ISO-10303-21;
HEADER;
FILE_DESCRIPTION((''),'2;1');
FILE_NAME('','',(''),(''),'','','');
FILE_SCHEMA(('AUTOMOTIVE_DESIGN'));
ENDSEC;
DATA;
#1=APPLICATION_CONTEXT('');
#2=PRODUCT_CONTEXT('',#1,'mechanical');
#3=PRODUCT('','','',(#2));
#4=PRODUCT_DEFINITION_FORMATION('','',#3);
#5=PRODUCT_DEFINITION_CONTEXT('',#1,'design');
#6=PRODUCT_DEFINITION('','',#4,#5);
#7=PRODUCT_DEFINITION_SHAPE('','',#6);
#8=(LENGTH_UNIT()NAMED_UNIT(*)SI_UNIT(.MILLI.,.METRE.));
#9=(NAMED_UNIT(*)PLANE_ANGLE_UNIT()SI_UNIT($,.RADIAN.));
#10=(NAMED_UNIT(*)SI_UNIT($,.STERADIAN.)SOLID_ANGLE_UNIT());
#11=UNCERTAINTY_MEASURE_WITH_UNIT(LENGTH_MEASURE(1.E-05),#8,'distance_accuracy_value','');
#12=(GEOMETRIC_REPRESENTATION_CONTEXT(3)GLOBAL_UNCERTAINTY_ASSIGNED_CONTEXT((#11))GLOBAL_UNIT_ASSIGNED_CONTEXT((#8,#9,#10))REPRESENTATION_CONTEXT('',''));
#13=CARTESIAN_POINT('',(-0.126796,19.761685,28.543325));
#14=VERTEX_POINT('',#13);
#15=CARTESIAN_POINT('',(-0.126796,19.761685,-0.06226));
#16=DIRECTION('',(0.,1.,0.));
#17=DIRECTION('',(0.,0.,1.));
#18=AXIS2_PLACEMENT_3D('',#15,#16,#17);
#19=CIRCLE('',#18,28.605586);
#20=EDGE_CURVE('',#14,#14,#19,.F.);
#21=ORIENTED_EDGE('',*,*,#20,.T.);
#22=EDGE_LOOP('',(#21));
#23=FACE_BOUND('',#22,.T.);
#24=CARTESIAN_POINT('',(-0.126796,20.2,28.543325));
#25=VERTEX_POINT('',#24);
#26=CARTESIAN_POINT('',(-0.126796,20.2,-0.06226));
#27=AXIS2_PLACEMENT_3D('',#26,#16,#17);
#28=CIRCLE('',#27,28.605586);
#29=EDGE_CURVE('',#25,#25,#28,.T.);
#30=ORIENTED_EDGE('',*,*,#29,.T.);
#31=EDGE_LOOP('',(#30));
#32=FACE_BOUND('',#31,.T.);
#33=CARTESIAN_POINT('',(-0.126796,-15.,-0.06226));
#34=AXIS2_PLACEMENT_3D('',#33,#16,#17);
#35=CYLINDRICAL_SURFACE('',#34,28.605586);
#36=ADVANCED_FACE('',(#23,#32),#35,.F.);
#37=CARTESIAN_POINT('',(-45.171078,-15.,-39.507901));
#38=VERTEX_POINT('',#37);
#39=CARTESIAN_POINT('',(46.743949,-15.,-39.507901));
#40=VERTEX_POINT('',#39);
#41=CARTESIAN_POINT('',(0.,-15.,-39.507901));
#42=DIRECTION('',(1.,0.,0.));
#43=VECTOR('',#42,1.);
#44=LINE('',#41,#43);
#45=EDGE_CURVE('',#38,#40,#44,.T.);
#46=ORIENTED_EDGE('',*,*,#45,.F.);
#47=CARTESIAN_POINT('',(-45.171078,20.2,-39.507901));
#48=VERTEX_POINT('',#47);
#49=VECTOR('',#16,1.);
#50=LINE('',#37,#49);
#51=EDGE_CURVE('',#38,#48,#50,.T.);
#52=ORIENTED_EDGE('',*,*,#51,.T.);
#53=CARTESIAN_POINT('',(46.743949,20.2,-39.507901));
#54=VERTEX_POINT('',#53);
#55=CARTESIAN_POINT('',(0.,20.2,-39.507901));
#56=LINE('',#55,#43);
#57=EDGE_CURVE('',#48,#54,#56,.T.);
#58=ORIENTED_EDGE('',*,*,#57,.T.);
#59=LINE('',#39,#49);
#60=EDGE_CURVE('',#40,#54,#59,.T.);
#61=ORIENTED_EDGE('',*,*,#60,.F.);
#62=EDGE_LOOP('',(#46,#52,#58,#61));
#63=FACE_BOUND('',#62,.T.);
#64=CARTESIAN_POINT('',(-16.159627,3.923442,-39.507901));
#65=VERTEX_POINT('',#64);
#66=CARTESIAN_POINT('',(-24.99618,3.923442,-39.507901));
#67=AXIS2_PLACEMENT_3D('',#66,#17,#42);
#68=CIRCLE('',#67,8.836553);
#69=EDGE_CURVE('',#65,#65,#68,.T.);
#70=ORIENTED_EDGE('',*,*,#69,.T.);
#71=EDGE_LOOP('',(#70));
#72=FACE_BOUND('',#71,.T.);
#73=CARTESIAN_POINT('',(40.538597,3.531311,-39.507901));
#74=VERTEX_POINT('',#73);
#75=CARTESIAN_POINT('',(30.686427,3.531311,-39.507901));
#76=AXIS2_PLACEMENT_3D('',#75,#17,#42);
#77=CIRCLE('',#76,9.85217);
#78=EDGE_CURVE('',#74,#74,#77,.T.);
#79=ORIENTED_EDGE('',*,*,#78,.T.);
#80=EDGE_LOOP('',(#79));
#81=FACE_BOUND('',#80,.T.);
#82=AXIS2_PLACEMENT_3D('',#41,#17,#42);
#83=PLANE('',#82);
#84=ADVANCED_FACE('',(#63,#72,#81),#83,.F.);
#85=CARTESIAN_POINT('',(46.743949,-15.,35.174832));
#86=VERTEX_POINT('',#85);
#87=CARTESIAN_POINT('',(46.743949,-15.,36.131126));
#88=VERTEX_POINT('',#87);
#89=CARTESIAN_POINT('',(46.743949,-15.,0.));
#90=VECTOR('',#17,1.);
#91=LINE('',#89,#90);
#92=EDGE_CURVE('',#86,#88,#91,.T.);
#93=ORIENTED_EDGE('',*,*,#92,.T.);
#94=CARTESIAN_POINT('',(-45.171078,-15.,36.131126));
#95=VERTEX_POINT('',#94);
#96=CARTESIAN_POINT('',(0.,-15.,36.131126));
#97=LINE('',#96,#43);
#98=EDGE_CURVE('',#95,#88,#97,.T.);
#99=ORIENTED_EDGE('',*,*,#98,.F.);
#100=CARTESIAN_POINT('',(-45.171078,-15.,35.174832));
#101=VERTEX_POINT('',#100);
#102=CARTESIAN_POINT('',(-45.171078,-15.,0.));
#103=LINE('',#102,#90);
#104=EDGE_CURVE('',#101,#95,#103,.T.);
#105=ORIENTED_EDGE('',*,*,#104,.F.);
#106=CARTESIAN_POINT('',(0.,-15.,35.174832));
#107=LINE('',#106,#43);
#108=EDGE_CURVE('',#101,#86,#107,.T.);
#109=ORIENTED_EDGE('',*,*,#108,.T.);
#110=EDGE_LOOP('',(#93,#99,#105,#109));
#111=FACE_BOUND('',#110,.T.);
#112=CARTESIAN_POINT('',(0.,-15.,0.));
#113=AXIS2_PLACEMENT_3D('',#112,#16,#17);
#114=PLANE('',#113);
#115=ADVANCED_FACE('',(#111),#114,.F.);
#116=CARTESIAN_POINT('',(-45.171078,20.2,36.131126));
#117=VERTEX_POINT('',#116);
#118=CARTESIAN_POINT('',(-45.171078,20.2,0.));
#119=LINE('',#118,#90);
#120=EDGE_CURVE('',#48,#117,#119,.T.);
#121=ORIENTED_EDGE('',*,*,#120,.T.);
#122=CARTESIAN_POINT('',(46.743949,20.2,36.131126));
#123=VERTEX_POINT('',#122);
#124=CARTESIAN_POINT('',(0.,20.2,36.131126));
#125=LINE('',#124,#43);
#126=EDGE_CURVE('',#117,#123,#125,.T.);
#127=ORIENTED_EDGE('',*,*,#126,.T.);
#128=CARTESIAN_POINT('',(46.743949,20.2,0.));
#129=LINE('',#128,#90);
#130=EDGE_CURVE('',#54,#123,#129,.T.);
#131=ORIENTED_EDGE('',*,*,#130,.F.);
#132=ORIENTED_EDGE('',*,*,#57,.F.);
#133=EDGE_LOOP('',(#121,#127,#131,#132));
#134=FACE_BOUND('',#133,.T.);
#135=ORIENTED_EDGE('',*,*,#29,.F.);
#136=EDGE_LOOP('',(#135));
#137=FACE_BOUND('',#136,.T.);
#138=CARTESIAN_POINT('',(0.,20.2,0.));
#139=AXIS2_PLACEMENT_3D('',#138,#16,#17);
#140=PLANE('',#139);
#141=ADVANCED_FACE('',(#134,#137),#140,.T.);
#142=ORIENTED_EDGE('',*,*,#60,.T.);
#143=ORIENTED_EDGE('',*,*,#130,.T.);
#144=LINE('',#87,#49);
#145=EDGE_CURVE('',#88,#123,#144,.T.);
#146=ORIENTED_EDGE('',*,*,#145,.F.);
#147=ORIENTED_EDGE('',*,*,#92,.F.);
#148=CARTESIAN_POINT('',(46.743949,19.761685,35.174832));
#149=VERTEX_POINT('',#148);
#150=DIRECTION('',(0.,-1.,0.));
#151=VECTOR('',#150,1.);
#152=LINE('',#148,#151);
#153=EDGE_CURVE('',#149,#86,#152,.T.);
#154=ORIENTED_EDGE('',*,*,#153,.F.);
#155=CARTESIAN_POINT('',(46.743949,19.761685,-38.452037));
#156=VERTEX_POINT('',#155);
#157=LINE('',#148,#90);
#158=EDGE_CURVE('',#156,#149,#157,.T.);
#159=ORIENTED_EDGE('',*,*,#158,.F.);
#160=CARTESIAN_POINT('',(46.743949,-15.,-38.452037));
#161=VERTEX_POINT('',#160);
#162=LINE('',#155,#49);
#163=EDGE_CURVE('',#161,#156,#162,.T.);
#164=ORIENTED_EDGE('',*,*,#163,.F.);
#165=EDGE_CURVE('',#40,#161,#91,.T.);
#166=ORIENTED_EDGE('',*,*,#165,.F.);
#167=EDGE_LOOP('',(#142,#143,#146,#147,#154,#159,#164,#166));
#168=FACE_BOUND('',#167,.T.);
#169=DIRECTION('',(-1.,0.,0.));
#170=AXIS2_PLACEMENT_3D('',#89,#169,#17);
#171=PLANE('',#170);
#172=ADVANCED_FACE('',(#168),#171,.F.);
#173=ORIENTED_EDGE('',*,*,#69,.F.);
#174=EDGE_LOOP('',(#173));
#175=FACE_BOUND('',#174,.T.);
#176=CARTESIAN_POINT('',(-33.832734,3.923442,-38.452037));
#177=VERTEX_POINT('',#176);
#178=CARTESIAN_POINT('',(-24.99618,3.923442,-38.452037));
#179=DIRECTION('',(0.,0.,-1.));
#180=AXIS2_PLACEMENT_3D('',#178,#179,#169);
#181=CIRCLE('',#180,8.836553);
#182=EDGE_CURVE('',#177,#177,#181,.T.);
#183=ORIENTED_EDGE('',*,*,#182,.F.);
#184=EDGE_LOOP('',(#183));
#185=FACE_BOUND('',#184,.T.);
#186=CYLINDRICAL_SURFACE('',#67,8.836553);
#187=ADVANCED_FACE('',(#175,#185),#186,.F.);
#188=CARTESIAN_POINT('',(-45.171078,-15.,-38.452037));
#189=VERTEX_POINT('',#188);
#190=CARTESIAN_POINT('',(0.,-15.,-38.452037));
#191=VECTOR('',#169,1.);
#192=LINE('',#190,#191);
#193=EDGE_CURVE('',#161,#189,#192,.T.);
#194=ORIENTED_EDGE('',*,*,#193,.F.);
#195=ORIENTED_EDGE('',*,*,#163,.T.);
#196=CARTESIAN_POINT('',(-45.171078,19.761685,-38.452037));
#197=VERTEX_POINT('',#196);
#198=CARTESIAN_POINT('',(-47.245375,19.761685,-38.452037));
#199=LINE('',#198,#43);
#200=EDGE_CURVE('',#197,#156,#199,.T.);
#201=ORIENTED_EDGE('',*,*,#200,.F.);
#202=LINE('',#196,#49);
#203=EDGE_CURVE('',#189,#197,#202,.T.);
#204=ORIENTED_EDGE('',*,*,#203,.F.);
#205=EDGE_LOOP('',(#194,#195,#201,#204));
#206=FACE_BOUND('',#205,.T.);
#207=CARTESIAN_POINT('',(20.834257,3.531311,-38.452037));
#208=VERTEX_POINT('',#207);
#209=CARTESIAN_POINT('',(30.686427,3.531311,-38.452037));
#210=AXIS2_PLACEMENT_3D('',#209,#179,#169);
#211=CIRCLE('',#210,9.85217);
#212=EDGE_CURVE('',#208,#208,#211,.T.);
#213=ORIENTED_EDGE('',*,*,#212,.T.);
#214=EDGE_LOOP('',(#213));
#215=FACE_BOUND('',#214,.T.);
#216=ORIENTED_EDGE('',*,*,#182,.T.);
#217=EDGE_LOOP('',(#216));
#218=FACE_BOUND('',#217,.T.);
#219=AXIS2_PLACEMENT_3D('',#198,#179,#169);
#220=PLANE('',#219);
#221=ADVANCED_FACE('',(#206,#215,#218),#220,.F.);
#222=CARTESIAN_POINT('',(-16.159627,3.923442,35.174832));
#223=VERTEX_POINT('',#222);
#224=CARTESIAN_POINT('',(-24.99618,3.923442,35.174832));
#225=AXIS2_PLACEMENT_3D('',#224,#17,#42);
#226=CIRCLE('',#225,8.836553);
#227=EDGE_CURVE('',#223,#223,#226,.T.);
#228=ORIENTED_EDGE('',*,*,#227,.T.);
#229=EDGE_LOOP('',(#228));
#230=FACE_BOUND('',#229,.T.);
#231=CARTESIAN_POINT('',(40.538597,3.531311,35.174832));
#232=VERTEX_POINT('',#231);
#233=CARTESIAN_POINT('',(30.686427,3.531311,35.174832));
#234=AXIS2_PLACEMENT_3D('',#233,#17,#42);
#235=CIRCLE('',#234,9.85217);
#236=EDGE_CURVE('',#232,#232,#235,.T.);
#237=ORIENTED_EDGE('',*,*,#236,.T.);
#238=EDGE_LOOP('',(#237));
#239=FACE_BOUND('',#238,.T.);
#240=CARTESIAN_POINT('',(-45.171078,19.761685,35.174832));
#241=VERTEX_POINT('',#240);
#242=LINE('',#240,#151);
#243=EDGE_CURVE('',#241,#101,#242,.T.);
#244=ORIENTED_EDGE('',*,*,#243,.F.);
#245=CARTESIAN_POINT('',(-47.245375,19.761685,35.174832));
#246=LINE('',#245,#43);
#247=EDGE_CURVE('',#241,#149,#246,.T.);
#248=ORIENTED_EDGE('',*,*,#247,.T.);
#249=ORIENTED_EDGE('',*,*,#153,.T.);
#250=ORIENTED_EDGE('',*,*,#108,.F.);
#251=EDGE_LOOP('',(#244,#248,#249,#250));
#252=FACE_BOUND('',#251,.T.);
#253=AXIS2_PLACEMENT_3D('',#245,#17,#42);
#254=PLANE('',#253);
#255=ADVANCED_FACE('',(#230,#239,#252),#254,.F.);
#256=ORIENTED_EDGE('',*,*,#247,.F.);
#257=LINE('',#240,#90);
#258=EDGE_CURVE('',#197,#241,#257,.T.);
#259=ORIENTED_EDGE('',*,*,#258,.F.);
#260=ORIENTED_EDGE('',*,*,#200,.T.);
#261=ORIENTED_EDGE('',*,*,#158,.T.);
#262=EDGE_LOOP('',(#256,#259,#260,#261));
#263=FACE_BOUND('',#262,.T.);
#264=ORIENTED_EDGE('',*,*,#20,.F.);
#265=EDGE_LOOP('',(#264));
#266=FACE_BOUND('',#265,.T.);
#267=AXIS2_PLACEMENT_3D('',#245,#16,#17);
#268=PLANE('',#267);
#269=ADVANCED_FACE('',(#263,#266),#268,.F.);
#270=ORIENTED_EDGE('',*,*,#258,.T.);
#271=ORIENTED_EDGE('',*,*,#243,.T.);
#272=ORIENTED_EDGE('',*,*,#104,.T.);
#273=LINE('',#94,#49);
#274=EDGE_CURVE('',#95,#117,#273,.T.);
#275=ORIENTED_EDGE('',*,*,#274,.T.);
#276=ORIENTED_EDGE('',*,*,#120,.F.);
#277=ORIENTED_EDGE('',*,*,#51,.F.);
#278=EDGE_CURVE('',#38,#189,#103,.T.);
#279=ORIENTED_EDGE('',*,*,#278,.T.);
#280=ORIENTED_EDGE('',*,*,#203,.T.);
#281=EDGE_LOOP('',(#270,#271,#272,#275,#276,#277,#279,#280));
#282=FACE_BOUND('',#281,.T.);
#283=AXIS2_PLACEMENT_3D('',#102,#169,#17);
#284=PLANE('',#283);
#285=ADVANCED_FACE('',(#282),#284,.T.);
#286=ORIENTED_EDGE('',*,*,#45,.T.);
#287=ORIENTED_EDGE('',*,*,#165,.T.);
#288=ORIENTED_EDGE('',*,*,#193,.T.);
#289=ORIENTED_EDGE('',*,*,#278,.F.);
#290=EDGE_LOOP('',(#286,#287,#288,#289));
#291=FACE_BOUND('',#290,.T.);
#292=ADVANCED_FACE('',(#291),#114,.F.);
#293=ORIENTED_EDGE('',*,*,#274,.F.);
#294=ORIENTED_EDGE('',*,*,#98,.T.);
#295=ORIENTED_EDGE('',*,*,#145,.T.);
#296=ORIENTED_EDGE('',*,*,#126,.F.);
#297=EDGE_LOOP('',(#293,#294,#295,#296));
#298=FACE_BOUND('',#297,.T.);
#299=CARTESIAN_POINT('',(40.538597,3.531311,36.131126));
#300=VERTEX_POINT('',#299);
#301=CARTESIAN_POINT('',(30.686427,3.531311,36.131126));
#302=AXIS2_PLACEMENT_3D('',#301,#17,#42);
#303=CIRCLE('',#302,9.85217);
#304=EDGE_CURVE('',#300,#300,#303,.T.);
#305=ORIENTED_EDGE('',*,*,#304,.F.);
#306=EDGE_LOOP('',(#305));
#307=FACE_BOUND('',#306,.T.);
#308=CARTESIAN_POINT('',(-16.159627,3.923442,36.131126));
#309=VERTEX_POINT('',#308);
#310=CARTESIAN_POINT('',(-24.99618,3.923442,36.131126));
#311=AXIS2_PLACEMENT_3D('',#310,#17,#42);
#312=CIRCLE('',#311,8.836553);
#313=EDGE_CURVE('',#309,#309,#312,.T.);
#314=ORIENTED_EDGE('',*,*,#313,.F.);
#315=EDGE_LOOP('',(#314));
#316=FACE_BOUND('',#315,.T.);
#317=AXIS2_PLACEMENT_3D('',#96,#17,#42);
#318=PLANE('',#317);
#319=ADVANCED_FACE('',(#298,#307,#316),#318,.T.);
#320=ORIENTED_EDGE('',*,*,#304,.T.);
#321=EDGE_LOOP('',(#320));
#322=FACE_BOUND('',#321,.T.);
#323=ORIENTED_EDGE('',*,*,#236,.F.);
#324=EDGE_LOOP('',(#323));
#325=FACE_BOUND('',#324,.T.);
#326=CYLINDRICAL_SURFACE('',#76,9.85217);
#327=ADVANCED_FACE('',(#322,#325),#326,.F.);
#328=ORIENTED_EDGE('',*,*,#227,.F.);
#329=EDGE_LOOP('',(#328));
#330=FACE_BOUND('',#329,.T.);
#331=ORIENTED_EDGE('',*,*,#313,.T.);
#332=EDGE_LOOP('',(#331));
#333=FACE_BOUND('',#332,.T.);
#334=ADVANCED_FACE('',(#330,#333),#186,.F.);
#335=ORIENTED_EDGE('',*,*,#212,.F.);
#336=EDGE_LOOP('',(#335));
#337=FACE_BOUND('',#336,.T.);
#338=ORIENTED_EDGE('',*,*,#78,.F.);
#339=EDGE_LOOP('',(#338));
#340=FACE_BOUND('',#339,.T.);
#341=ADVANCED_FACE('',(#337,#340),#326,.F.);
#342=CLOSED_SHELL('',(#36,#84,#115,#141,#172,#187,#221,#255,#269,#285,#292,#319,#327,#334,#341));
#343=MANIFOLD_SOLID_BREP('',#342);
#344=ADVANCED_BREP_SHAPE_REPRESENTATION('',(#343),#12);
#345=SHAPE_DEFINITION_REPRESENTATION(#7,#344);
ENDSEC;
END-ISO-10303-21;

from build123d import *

# Parameters (mm, degrees)
BOSS_EXTRUDE1_DEPTH      = 20.2
BOSS_EXTRUDE1_DEPTH_BACK = 15
SKETCH1_W                = 93.989323661
SKETCH1_H                = 75.639027137
SKETCH1_R                = 28.60558576
CUT_EXTRUDE1_DEPTH       = 65.815428125
CUT_EXTRUDE1_DEPTH_BACK  = 65.815428125
SKETCH7_W                = 73.626868744
SKETCH7_H                = 46
CUT_EXTRUDE2_DEPTH       = 71.936871393
CUT_EXTRUDE2_DEPTH_BACK  = 71.936871393
SKETCH8_W                = 2.074297069
SKETCH8_H                = 75.639027137
CUT_EXTRUDE3_DEPTH       = 92.182778922
CUT_EXTRUDE3_DEPTH_BACK  = 92.182778922
SKETCH9_R                = 9.85217033
SKETCH9_R_2              = 8.836553466


with BuildPart() as part:
    # Sketch1 → Boss-Extrude1 (new, two sides: drawn at the far end of the back side and taken through both)
    # profile 1 of 2: a face of its own
    with BuildSketch(Plane(origin=(0, 0, 0), x_dir=(1, 0, 0), z_dir=(0, 1, 0)).offset(-BOSS_EXTRUDE1_DEPTH_BACK)):
        with Locations((-0.250713069, 1.688387839)):
            Rectangle(SKETCH1_W, SKETCH1_H)
        Polygon((-15.47568065, 38.452030524), (-15.44512512, 38.452030524), (17.164906021, 38.452030524), (43.185007565, 38.452030524), (45.754987202, 38.452030524), (45.754987202, 32.455155104), (45.754987202, 32.45391936), (45.754987202, -35.17483185), (17.616871532, -35.17483185), (-15.375759604, -35.17483185), (-46.245033324, -35.17483185), (-46.245033324, 38.452030524), (-43.675074212, 38.452030524), align=None, mode=Mode.SUBTRACT)
    # profile 2 of 2: a face of its own
    with BuildSketch(Plane(origin=(0, 0, 0), x_dir=(1, 0, 0), z_dir=(0, 1, 0)).offset(-BOSS_EXTRUDE1_DEPTH_BACK)):
        Polygon((17.164906021, 38.452030524), (-15.44512512, 38.452030524), (-15.47568065, 38.452030524), (-43.675074212, 38.452030524), (-46.245033324, 38.452030524), (-46.245033324, -35.17483185), (-15.375759604, -35.17483185), (17.616871532, -35.17483185), (45.754987202, -35.17483185), (45.754987202, 32.45391936), (45.754987202, 32.455155104), (45.754987202, 38.452030524), (43.185007565, 38.452030524), align=None)
        with Locations(Location((-0.126795962, 0.062260433, 0), (0, 0, 270))):
            Circle(SKETCH1_R, mode=Mode.SUBTRACT)
    extrude(amount=BOSS_EXTRUDE1_DEPTH + BOSS_EXTRUDE1_DEPTH_BACK)

    # Sketch7 → Cut-Extrude1 (cut, two sides: drawn at the far end of the back side and taken through both)
    with BuildSketch(Plane(origin=(0, 0, 0), x_dir=(0, 0, -1), z_dir=(1, 0, 0)).offset(-CUT_EXTRUDE1_DEPTH_BACK)):
        with Locations((1.63860241, -3.238314763)):
            Rectangle(SKETCH7_W, SKETCH7_H)
    extrude(amount=CUT_EXTRUDE1_DEPTH + CUT_EXTRUDE1_DEPTH_BACK, mode=Mode.SUBTRACT)

    # Sketch8 → Cut-Extrude2 (cut, two sides: drawn at the far end of the back side and taken through both)
    with BuildSketch(Plane(origin=(0, 20.2, 0), x_dir=(1, 0, 0), z_dir=(0, 1, 0)).offset(-CUT_EXTRUDE2_DEPTH_BACK)):
        with Locations((-46.208226366, 1.688387839)):
            Rectangle(SKETCH8_W, SKETCH8_H)
    extrude(amount=CUT_EXTRUDE2_DEPTH + CUT_EXTRUDE2_DEPTH_BACK, mode=Mode.SUBTRACT)

    # Sketch9 → Cut-Extrude3 (cut, two sides: drawn at the far end of the back side and taken through both)
    with BuildSketch(Plane.XY.offset(36.131125729).offset(-CUT_EXTRUDE3_DEPTH_BACK)):
        with Locations((30.686426908, 3.531311209)):
            Circle(SKETCH9_R)
        with Locations((-24.996180107, 3.923442244)):
            Circle(SKETCH9_R_2)
    extrude(amount=CUT_EXTRUDE3_DEPTH + CUT_EXTRUDE3_DEPTH_BACK, mode=Mode.SUBTRACT)


solid = part.part
